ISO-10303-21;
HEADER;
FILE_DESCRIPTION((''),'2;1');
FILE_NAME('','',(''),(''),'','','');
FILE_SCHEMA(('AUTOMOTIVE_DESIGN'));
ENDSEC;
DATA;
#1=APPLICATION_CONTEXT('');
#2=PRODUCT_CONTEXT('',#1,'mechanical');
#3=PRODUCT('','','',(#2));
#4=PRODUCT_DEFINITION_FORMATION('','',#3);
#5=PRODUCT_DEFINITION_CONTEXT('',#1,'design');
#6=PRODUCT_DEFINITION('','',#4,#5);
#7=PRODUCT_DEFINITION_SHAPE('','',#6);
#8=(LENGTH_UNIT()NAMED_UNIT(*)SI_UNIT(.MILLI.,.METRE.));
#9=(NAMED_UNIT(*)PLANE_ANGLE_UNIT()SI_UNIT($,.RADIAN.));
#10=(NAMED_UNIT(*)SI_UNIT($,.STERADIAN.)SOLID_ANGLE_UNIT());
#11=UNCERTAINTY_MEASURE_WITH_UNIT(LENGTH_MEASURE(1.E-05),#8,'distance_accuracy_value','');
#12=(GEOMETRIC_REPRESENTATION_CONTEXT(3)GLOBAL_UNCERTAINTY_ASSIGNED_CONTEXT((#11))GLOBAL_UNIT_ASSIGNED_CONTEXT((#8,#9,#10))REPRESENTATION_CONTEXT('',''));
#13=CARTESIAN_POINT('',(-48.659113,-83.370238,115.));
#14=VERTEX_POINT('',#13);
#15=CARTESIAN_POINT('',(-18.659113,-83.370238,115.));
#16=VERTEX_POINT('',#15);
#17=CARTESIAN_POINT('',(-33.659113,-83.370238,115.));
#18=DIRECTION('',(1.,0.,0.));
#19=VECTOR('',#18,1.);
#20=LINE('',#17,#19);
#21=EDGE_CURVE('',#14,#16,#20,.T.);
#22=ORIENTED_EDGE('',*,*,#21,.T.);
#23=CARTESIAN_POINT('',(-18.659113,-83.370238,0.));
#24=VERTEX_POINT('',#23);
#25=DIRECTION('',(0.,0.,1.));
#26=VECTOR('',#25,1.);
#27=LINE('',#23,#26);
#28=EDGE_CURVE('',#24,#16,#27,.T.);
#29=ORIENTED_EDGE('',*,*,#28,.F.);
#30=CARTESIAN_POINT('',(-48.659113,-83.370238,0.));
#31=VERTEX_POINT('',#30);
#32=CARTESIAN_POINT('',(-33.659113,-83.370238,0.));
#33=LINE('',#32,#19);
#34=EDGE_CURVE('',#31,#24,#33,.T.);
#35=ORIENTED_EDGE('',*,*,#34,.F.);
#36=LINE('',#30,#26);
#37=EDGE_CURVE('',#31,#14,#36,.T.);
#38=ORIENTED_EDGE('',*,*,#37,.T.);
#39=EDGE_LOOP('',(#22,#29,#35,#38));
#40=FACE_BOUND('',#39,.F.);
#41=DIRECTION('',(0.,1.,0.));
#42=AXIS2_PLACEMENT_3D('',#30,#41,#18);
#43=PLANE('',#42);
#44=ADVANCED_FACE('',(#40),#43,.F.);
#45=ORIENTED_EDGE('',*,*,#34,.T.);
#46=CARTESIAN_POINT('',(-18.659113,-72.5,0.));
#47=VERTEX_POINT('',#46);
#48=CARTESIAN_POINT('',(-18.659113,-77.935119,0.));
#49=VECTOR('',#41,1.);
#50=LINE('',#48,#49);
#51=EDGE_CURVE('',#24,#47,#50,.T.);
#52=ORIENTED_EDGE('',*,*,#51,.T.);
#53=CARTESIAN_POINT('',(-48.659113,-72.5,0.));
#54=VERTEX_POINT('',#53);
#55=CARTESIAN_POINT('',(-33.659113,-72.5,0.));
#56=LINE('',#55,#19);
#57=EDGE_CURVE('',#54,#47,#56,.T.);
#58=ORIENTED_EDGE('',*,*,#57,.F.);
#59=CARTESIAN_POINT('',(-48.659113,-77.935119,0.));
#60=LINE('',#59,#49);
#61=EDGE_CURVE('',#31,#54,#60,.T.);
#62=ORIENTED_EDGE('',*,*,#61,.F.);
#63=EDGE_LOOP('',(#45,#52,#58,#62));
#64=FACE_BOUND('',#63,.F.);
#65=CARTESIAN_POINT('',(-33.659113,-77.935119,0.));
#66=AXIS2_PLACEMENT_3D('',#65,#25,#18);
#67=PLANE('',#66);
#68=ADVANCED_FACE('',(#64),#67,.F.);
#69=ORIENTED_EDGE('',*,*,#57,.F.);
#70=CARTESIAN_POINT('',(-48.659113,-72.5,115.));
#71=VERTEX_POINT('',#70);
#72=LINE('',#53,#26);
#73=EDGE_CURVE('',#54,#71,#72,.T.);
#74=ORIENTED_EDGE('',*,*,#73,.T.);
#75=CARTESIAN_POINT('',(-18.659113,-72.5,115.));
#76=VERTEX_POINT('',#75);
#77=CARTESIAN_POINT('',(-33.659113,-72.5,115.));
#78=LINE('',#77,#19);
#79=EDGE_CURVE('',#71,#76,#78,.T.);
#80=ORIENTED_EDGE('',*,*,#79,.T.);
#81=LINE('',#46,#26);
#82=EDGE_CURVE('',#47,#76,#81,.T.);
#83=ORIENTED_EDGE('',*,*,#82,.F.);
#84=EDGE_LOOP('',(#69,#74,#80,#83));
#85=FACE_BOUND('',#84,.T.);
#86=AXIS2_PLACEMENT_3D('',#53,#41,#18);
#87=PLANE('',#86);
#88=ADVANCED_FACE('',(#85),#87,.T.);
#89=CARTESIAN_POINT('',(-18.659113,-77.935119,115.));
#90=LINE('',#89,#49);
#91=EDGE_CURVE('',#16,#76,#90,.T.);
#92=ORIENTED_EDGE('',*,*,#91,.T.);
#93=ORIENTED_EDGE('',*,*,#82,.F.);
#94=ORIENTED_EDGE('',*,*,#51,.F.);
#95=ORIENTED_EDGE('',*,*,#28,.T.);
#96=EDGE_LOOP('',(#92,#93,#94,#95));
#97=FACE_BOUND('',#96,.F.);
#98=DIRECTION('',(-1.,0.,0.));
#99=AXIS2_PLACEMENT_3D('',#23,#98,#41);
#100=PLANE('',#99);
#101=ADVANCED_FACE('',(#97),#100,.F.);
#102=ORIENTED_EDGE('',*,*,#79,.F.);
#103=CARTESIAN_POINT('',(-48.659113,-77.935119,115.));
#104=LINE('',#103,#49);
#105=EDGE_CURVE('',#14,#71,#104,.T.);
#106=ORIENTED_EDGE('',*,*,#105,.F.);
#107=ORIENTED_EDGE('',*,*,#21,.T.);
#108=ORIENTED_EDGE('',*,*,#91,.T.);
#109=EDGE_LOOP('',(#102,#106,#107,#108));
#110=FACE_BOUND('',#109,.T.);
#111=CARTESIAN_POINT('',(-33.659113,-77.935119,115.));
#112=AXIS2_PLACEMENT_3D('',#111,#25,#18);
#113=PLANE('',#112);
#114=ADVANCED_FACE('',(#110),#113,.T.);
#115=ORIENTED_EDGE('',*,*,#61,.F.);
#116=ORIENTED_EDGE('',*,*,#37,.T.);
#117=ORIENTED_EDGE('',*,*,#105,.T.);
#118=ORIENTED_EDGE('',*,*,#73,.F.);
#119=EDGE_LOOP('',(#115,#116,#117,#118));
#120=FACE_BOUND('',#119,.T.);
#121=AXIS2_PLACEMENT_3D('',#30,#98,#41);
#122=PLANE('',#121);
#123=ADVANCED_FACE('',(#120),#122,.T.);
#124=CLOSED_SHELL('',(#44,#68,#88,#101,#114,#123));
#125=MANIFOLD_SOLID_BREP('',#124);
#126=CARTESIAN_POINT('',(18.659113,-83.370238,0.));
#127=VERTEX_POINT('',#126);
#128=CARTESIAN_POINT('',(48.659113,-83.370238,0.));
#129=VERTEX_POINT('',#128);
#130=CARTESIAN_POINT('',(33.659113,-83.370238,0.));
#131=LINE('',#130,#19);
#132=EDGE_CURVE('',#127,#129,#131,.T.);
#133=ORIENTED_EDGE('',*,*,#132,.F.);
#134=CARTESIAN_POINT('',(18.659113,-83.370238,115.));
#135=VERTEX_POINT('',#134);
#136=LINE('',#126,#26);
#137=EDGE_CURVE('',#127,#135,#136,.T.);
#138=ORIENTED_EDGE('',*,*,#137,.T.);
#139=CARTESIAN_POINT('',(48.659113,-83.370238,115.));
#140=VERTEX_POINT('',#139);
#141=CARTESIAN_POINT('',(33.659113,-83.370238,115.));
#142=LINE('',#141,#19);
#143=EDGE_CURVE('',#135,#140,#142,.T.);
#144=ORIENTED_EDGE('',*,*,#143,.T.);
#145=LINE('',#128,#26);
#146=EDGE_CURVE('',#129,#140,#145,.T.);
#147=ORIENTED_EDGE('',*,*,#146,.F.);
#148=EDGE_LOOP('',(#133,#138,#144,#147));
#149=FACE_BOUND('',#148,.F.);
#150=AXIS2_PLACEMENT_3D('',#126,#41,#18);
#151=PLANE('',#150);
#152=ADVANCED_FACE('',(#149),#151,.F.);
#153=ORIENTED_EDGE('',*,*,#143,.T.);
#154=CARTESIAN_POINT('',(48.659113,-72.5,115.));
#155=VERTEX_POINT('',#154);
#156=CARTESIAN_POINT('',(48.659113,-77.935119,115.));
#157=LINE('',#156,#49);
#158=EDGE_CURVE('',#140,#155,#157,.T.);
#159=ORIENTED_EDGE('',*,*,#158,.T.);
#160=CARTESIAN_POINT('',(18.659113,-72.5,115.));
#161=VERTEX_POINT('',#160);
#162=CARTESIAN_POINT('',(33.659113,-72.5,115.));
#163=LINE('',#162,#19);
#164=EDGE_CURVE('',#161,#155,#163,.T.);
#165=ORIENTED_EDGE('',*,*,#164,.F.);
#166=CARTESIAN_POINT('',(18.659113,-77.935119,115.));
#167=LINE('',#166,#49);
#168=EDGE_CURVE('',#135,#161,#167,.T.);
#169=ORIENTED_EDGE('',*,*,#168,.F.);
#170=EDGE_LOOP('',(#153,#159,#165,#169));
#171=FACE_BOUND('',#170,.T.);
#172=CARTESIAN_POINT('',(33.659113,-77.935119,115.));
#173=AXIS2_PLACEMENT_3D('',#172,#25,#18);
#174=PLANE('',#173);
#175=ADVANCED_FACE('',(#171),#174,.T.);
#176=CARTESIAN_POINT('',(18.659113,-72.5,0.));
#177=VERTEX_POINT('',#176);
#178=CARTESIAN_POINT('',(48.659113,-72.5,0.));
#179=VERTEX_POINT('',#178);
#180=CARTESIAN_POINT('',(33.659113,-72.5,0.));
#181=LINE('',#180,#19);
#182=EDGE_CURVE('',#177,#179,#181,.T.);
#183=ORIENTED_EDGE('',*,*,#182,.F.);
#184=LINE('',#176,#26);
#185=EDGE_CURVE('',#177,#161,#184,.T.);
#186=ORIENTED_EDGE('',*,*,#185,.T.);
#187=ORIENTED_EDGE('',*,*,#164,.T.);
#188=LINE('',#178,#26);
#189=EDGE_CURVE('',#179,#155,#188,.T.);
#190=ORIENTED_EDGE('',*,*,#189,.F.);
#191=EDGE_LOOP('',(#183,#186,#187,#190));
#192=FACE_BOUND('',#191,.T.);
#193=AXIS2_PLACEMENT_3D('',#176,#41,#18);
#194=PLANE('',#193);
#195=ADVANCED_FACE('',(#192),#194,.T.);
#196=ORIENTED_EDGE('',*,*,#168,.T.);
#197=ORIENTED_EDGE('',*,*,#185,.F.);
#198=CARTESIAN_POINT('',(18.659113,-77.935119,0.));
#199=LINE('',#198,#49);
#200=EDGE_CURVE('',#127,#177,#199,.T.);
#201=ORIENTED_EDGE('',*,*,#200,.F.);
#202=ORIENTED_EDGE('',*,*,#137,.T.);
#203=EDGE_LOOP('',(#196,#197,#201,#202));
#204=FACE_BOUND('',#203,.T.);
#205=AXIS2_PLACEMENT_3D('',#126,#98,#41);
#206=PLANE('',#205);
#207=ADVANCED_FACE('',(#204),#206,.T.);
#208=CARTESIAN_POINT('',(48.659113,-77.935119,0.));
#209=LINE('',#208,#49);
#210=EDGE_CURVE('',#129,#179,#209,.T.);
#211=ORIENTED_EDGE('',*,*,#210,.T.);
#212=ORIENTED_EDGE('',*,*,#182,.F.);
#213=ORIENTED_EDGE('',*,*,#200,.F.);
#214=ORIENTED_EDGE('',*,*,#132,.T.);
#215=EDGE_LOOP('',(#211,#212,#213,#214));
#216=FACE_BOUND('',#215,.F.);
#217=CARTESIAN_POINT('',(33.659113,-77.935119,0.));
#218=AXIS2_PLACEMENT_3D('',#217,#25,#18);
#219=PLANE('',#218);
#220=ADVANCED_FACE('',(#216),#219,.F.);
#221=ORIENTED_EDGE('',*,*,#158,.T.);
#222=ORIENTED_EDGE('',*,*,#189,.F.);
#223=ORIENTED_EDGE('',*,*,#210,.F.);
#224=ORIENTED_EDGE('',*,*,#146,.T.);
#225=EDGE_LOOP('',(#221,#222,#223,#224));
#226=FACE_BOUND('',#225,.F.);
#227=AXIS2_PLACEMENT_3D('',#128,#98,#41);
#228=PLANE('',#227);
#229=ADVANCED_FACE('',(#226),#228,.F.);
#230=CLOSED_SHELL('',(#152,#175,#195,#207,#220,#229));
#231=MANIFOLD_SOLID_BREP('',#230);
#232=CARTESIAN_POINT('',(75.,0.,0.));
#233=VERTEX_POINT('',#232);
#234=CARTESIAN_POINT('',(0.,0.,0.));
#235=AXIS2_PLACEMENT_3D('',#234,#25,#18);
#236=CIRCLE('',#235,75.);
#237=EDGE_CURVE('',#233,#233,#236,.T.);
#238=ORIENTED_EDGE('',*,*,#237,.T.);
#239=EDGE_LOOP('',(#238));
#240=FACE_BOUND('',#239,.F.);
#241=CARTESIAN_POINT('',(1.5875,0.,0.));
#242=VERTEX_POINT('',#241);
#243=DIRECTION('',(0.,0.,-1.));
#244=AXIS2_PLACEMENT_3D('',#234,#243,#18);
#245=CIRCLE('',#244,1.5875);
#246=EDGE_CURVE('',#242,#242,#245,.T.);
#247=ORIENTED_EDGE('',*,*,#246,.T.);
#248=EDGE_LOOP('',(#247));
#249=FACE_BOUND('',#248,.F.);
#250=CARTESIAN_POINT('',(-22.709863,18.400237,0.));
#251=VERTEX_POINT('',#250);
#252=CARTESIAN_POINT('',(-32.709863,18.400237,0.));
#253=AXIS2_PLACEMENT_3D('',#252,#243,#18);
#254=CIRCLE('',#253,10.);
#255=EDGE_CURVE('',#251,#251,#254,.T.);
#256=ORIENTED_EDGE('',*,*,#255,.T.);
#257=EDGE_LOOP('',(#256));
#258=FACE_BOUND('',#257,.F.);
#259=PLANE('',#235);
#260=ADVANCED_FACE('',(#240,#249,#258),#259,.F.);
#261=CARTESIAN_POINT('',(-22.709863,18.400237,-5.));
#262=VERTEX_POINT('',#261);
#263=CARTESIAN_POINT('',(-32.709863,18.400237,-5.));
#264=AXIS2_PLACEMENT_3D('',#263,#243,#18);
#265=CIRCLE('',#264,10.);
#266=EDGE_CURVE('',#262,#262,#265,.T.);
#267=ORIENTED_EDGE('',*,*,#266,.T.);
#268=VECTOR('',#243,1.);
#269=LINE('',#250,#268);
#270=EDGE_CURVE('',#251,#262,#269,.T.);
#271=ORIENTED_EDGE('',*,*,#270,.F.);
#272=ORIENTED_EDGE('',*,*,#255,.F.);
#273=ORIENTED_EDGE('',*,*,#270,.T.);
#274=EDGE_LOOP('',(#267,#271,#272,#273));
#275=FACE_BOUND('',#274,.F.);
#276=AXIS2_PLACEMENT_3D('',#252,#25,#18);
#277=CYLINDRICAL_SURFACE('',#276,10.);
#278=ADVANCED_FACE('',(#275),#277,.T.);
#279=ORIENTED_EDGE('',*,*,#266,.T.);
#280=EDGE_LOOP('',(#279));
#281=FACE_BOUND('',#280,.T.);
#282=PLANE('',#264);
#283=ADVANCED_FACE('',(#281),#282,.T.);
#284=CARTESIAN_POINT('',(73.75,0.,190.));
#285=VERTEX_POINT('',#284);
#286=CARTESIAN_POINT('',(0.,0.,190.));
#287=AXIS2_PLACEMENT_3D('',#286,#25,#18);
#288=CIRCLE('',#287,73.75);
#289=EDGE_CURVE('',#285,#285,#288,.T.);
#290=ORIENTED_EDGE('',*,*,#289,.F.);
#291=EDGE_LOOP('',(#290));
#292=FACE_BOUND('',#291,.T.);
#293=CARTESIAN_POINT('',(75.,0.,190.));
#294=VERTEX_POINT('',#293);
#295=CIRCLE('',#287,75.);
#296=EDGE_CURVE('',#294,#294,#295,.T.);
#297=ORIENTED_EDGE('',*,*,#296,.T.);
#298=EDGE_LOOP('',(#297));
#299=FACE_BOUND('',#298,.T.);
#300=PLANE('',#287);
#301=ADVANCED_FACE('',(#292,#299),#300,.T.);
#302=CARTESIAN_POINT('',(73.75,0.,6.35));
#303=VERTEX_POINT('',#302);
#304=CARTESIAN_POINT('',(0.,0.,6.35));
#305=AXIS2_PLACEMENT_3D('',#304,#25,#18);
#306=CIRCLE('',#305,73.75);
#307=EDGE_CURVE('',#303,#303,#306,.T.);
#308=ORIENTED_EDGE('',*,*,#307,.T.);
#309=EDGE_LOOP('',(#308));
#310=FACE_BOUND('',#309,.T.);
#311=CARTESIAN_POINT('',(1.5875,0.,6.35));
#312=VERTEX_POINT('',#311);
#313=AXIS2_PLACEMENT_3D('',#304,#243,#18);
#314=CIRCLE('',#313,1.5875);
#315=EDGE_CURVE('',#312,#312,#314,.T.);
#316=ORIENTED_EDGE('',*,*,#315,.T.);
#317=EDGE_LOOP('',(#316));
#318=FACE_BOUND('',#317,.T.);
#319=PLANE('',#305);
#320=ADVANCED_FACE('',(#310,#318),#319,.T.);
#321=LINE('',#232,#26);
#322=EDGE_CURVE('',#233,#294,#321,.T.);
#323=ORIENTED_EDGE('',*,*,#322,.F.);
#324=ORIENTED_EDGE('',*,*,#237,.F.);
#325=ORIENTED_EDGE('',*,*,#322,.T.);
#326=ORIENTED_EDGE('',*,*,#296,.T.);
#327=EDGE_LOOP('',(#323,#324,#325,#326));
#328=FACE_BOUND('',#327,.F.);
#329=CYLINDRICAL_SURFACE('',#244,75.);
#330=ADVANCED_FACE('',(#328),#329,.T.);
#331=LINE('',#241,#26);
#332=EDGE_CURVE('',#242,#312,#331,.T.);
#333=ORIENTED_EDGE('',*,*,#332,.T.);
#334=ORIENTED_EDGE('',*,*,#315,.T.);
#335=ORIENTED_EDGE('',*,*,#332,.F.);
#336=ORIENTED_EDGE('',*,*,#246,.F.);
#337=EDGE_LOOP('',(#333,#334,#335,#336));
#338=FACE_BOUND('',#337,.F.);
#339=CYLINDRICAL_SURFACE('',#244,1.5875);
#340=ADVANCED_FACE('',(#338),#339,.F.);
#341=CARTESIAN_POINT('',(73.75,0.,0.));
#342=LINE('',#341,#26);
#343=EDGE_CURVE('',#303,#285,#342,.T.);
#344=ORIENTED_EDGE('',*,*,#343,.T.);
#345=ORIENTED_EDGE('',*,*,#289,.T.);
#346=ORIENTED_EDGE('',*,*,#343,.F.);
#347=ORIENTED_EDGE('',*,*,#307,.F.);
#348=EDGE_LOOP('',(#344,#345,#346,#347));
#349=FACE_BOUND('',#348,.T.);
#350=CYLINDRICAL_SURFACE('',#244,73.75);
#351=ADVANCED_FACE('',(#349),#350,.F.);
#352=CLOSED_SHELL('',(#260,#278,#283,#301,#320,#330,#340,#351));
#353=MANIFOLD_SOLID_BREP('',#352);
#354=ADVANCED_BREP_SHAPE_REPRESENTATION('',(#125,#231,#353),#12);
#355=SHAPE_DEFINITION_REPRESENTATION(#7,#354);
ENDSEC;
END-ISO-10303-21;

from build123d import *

# Parameters (mm, degrees)
F1_W     = 30
F1_H     = 10.870239
F2_DEPTH = 115
F0_R     = 75
F0_R_2   = 73.75
F3_DEPTH = 190
F4_DEPTH = 6.35
F5_R     = 1.5875
F6_DEPTH = 190.001
F5_R_2   = 10
F7_DEPTH = 5


with BuildPart() as f2:
    # F1 (on face) → F2 (new body)
    with BuildSketch(Plane.XY):
        with Locations((33.659113, -77.935119)):
            Rectangle(F1_W, F1_H)
        with Locations((-33.659113, -77.935119)):
            Rectangle(F1_W, F1_H)
    extrude(amount=F2_DEPTH)


with BuildPart() as f3:
    # F0 (on Top) → F3 (new body)
    with BuildSketch(Plane.XY):
        Circle(F0_R)
        Circle(F0_R_2, mode=Mode.SUBTRACT)
    extrude(amount=F3_DEPTH)

    # F0 (on Top) → F4 (join)
    with BuildSketch(Plane.XY):
        Circle(F0_R_2)
    extrude(amount=F4_DEPTH)

    # F5 (on face) → F6 (cut, through all)
    with BuildSketch(Plane(origin=(0, 0, 0), x_dir=(1, 0, 0), z_dir=(0, 0, -1))):
        Circle(F5_R)
    extrude(amount=-F6_DEPTH, mode=Mode.SUBTRACT)

    # F5 (on face) → F7 (join)
    with BuildSketch(Plane(origin=(0, 0, 0), x_dir=(1, 0, 0), z_dir=(0, 0, -1))):
        with Locations((-32.709863, -18.400237)):
            Circle(F5_R_2)
    extrude(amount=F7_DEPTH)


solid = Compound([f2.part, f3.part])
